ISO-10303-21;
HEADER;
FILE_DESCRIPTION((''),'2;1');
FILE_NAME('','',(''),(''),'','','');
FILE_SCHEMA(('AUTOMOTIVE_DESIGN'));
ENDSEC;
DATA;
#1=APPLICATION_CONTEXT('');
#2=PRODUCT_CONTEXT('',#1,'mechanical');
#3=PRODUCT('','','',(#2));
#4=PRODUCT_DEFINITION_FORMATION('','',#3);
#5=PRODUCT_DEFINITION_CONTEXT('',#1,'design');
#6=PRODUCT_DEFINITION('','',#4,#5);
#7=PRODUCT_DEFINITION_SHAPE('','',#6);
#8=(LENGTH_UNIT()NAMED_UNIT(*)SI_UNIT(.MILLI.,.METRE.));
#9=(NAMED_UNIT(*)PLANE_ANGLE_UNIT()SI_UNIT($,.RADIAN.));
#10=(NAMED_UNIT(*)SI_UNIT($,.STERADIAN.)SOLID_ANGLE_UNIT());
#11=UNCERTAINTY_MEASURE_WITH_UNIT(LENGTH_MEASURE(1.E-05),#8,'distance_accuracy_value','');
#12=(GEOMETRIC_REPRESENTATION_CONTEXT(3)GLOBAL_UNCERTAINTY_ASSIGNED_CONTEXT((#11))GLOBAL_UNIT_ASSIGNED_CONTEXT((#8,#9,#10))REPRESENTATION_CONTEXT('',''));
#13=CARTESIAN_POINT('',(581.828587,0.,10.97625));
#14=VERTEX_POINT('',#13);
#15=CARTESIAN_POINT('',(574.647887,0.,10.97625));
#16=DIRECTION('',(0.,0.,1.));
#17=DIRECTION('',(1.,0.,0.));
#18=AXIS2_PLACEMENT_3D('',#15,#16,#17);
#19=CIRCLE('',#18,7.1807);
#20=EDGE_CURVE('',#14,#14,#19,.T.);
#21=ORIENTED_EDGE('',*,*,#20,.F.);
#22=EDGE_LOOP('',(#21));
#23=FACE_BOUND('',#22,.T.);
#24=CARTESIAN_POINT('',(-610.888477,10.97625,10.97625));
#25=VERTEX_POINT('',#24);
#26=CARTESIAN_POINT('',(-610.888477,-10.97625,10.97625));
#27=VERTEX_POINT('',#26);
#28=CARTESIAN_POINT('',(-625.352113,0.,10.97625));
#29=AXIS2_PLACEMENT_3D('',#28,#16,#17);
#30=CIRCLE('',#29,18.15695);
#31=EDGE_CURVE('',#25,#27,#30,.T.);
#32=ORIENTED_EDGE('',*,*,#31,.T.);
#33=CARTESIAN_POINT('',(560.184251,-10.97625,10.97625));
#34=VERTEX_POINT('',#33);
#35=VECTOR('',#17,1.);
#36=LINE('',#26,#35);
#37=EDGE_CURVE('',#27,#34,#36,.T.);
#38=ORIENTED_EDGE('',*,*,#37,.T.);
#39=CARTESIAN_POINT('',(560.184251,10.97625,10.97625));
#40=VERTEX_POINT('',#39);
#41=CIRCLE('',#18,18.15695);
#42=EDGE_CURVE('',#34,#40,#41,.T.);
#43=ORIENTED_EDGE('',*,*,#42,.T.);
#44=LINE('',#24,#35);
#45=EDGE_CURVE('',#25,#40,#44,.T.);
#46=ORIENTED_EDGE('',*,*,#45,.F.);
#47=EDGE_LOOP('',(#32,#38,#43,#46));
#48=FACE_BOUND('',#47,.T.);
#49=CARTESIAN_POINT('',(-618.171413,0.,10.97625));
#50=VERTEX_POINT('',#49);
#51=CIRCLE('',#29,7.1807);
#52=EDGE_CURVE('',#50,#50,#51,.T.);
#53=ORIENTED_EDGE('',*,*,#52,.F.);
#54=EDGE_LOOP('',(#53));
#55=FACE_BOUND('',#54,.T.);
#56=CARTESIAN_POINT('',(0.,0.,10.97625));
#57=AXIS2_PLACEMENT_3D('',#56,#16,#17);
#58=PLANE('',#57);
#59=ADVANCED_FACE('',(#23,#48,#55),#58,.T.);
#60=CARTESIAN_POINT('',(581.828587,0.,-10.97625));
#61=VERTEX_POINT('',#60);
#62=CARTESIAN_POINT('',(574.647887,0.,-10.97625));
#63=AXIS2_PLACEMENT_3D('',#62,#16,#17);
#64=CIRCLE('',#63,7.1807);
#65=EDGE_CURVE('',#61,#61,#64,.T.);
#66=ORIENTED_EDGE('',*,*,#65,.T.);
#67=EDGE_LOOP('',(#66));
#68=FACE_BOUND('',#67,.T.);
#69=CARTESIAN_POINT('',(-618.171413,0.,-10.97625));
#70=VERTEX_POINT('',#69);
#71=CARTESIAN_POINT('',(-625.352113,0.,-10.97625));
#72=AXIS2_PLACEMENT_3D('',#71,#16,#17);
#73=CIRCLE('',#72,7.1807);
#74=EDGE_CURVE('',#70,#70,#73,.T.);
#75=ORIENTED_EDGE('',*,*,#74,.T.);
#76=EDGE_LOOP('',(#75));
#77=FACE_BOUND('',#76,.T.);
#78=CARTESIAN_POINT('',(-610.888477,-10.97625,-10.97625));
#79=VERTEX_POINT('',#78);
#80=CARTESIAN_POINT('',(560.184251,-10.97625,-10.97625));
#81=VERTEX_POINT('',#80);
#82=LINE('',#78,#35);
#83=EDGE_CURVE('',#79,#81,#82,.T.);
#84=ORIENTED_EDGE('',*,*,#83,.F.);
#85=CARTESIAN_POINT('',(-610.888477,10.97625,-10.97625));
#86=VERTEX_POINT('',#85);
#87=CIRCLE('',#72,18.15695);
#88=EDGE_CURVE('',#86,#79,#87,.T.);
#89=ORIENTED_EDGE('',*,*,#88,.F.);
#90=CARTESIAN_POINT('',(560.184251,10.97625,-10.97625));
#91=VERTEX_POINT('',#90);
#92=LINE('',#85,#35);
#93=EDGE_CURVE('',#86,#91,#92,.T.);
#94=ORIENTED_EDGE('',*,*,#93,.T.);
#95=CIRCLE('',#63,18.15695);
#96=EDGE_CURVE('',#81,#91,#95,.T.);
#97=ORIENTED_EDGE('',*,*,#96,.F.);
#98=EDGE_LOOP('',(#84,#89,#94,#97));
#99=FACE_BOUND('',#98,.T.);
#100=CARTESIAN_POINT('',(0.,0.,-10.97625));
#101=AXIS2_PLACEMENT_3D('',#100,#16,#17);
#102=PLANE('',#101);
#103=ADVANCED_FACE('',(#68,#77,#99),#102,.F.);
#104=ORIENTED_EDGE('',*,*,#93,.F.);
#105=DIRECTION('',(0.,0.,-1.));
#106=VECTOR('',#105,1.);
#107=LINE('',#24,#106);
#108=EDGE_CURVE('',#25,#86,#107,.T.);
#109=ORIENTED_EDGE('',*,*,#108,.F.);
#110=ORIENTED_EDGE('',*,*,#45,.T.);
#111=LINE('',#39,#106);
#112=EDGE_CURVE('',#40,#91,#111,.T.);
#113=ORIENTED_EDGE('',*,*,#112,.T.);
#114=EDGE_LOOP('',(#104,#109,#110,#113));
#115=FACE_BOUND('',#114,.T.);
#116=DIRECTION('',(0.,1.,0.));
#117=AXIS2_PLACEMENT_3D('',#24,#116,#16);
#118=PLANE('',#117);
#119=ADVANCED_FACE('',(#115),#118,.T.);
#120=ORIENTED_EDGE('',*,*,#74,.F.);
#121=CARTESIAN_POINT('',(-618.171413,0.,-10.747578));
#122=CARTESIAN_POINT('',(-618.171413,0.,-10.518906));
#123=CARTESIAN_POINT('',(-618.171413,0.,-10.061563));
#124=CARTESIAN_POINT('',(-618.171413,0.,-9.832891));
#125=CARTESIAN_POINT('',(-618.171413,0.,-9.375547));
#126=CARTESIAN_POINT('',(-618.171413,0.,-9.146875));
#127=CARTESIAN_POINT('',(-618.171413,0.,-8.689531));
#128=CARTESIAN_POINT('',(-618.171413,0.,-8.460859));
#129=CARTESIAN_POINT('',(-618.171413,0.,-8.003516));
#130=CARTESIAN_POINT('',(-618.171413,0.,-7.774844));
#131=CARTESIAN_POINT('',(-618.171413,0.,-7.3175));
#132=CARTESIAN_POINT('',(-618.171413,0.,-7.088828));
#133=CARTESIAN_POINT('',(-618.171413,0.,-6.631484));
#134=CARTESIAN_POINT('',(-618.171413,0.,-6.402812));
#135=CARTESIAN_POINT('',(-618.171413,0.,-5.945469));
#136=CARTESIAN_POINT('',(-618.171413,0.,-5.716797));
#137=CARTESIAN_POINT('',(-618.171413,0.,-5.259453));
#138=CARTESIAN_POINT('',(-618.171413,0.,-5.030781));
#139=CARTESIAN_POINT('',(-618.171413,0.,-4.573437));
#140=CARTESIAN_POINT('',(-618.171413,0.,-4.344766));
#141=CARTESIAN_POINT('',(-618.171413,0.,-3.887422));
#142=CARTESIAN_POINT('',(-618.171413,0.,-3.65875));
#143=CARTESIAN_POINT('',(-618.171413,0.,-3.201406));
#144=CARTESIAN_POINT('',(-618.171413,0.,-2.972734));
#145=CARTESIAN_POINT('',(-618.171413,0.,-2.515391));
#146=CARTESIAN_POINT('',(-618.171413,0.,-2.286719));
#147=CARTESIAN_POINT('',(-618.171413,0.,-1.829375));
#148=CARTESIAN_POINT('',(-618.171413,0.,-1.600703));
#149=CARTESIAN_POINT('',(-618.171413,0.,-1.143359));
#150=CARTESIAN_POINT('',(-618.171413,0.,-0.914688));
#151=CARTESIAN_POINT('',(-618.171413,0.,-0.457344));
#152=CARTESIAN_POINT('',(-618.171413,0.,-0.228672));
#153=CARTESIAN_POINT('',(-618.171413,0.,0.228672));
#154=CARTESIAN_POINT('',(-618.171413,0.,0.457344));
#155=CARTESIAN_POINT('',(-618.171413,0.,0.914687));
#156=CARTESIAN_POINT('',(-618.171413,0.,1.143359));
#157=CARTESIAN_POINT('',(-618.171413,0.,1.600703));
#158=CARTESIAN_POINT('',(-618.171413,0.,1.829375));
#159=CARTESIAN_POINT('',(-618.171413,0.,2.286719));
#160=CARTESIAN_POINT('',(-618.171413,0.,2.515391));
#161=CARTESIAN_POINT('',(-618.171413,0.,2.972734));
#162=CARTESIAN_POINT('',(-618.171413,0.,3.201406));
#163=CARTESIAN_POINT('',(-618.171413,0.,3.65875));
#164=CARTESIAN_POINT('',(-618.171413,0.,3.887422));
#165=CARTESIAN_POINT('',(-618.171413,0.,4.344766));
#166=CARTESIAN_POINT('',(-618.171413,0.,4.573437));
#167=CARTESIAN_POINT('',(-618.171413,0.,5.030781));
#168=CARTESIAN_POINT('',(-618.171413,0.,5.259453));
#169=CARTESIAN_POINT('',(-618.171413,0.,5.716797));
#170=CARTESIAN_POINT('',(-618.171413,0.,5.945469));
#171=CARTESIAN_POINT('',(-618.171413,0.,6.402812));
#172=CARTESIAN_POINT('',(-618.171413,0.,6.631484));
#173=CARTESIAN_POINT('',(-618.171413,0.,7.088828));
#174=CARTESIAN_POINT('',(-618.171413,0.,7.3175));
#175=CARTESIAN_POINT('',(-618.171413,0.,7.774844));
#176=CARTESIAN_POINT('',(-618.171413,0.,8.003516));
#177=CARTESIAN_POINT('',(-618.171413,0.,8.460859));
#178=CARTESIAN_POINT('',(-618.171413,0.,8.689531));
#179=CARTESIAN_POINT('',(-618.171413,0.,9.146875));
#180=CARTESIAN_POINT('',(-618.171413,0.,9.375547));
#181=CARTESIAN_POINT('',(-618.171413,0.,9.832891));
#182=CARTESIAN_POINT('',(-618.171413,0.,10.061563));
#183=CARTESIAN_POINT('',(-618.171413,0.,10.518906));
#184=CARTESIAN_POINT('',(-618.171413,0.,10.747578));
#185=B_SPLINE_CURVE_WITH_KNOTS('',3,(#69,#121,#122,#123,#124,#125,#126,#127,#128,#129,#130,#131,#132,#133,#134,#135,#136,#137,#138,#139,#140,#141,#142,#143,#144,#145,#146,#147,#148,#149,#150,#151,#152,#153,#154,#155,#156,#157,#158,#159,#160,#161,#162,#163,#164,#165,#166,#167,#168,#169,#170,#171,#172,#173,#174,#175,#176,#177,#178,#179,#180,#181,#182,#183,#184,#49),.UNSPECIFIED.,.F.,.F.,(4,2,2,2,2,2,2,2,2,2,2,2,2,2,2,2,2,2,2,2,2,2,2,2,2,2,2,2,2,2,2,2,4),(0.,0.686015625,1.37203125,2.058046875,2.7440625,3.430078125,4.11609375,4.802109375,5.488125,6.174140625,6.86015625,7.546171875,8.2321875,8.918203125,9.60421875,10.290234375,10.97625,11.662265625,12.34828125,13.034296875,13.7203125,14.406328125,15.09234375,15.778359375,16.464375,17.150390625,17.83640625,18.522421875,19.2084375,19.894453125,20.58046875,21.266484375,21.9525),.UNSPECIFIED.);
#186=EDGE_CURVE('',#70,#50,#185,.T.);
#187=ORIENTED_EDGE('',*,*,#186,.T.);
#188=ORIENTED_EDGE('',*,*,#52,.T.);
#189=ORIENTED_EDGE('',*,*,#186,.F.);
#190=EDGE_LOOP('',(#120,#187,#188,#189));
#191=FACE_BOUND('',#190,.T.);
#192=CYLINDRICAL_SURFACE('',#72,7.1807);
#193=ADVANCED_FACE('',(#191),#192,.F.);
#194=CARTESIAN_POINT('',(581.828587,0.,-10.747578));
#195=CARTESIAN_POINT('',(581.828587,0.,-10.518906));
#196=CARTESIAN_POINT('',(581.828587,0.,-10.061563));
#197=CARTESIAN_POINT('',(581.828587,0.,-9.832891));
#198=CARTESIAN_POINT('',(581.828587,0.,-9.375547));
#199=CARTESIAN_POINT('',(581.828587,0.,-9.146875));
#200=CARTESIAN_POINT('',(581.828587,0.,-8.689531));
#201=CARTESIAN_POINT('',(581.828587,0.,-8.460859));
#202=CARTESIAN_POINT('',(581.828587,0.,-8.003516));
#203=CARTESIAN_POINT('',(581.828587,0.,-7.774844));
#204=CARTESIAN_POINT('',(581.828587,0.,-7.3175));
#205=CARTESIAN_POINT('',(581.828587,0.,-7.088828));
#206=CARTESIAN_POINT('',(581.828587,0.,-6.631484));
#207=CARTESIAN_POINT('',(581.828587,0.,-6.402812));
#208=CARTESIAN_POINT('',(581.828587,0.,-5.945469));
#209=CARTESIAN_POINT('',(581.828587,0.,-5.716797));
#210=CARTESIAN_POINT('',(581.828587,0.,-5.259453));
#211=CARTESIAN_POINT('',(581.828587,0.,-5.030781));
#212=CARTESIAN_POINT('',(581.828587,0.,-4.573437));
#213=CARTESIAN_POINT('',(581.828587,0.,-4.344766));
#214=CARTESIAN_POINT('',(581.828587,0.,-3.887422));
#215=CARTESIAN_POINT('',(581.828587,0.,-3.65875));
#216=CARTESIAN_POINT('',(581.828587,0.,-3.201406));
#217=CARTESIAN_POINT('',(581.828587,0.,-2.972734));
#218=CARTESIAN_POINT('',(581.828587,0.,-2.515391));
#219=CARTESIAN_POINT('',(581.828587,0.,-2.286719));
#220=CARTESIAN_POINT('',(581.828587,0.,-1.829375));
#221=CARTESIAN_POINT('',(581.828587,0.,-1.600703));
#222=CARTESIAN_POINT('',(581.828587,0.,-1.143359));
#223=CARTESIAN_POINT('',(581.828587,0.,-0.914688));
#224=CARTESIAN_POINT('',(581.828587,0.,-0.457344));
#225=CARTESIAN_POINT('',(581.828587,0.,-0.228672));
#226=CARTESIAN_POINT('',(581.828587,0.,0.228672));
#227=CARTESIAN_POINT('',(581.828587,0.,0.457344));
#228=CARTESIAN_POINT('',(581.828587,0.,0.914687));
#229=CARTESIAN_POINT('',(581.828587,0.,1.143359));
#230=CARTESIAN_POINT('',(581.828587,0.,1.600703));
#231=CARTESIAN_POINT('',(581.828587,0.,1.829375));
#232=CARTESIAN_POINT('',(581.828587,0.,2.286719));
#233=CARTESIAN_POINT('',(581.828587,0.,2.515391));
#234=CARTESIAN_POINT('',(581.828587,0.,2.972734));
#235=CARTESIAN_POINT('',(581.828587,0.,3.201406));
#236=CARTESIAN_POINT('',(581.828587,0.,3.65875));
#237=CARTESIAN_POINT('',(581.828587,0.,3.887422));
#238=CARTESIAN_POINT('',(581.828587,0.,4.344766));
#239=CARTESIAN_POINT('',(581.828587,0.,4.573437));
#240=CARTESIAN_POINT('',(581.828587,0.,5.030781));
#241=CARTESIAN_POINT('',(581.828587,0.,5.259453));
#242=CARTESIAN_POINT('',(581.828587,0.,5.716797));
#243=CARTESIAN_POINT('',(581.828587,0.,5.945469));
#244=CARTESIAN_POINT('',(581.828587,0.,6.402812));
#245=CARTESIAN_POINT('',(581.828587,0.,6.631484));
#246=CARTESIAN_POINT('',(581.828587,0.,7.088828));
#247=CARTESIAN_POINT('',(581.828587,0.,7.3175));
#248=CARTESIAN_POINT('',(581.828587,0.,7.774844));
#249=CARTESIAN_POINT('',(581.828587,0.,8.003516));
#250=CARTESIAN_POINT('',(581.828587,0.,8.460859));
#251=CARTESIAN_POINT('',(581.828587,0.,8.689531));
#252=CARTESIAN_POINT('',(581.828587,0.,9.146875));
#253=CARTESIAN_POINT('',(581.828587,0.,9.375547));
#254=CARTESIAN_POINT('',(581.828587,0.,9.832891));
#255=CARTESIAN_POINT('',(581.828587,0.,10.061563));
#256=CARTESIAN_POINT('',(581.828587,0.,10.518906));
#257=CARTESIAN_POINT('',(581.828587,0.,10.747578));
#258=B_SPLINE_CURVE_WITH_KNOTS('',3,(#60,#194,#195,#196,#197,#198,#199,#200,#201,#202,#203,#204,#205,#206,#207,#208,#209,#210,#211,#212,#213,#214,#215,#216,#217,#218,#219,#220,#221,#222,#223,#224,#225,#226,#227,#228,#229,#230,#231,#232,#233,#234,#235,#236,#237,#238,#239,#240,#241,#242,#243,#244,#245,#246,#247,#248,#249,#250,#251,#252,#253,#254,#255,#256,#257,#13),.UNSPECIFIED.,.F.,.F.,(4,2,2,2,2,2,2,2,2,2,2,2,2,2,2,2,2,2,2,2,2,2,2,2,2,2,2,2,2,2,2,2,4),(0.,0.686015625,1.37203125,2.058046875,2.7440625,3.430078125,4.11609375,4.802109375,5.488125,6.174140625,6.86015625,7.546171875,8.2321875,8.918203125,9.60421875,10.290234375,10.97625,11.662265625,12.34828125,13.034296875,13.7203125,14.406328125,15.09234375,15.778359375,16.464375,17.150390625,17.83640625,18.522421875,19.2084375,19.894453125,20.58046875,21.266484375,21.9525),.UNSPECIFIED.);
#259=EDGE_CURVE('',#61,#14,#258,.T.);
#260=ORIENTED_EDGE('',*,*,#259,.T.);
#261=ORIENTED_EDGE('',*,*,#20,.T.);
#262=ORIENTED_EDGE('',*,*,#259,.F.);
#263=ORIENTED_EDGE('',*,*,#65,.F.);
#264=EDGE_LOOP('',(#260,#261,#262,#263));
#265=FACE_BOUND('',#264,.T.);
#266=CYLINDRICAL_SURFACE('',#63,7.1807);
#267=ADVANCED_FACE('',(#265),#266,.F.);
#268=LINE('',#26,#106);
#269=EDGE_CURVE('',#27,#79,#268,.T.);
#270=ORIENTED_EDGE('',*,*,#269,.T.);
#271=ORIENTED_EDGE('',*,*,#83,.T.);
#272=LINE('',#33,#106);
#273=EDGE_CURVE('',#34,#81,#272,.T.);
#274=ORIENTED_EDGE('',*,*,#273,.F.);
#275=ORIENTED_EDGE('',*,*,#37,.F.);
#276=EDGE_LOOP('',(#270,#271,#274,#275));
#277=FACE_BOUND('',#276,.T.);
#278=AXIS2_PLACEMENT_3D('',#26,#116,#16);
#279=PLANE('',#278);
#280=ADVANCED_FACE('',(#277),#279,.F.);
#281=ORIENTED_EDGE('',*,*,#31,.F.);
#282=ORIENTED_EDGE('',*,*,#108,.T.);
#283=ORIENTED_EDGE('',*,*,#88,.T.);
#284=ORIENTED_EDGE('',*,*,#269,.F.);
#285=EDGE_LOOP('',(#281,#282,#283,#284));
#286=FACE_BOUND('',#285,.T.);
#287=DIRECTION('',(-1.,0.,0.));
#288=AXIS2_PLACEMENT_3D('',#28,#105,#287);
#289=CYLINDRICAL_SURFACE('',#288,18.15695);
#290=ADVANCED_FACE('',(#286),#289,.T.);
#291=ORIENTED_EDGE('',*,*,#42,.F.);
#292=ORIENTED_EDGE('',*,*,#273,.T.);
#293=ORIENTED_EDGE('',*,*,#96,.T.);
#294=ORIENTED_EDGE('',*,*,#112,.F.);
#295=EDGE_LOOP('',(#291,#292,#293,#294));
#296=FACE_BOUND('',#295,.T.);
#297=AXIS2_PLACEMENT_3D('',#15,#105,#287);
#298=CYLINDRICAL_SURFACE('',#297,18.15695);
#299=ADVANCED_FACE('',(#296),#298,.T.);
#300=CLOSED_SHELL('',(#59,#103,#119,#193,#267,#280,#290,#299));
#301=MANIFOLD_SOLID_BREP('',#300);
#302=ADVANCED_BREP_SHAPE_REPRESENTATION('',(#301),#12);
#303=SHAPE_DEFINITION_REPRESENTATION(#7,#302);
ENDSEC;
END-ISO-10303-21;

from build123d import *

# Parameters (mm, degrees)
SKETCH3_R           = 18.15695
SKETCH3_W           = 1171.0727278
SKETCH3_H           = 21.9525
BOSS_EXTRUDE1_DEPTH = 10.97625
SKETCH4_R           = 7.1807
CUT_EXTRUDE1_DEPTH  = 645.139348927


with BuildPart() as part:
    # Sketch3 → Boss-Extrude1 (new, symmetric)
    with BuildSketch(Plane.XY):
        with Locations((-625.352112676, 0)):
            Circle(SKETCH3_R)
        with Locations((574.647887324, 0)):
            Circle(SKETCH3_R)
        with Locations((-25.352112676, 0)):
            Rectangle(SKETCH3_W, SKETCH3_H)
    extrude(amount=BOSS_EXTRUDE1_DEPTH, both=True)

    # Sketch4 → Cut-Extrude1 (cut, through all)
    with BuildSketch(Plane.XY.offset(10.97625)):
        with Locations((-625.352112676, 0)):
            Circle(SKETCH4_R)
        with Locations((574.647887324, 0)):
            Circle(SKETCH4_R)
    extrude(amount=-CUT_EXTRUDE1_DEPTH, mode=Mode.SUBTRACT)


solid = part.part
